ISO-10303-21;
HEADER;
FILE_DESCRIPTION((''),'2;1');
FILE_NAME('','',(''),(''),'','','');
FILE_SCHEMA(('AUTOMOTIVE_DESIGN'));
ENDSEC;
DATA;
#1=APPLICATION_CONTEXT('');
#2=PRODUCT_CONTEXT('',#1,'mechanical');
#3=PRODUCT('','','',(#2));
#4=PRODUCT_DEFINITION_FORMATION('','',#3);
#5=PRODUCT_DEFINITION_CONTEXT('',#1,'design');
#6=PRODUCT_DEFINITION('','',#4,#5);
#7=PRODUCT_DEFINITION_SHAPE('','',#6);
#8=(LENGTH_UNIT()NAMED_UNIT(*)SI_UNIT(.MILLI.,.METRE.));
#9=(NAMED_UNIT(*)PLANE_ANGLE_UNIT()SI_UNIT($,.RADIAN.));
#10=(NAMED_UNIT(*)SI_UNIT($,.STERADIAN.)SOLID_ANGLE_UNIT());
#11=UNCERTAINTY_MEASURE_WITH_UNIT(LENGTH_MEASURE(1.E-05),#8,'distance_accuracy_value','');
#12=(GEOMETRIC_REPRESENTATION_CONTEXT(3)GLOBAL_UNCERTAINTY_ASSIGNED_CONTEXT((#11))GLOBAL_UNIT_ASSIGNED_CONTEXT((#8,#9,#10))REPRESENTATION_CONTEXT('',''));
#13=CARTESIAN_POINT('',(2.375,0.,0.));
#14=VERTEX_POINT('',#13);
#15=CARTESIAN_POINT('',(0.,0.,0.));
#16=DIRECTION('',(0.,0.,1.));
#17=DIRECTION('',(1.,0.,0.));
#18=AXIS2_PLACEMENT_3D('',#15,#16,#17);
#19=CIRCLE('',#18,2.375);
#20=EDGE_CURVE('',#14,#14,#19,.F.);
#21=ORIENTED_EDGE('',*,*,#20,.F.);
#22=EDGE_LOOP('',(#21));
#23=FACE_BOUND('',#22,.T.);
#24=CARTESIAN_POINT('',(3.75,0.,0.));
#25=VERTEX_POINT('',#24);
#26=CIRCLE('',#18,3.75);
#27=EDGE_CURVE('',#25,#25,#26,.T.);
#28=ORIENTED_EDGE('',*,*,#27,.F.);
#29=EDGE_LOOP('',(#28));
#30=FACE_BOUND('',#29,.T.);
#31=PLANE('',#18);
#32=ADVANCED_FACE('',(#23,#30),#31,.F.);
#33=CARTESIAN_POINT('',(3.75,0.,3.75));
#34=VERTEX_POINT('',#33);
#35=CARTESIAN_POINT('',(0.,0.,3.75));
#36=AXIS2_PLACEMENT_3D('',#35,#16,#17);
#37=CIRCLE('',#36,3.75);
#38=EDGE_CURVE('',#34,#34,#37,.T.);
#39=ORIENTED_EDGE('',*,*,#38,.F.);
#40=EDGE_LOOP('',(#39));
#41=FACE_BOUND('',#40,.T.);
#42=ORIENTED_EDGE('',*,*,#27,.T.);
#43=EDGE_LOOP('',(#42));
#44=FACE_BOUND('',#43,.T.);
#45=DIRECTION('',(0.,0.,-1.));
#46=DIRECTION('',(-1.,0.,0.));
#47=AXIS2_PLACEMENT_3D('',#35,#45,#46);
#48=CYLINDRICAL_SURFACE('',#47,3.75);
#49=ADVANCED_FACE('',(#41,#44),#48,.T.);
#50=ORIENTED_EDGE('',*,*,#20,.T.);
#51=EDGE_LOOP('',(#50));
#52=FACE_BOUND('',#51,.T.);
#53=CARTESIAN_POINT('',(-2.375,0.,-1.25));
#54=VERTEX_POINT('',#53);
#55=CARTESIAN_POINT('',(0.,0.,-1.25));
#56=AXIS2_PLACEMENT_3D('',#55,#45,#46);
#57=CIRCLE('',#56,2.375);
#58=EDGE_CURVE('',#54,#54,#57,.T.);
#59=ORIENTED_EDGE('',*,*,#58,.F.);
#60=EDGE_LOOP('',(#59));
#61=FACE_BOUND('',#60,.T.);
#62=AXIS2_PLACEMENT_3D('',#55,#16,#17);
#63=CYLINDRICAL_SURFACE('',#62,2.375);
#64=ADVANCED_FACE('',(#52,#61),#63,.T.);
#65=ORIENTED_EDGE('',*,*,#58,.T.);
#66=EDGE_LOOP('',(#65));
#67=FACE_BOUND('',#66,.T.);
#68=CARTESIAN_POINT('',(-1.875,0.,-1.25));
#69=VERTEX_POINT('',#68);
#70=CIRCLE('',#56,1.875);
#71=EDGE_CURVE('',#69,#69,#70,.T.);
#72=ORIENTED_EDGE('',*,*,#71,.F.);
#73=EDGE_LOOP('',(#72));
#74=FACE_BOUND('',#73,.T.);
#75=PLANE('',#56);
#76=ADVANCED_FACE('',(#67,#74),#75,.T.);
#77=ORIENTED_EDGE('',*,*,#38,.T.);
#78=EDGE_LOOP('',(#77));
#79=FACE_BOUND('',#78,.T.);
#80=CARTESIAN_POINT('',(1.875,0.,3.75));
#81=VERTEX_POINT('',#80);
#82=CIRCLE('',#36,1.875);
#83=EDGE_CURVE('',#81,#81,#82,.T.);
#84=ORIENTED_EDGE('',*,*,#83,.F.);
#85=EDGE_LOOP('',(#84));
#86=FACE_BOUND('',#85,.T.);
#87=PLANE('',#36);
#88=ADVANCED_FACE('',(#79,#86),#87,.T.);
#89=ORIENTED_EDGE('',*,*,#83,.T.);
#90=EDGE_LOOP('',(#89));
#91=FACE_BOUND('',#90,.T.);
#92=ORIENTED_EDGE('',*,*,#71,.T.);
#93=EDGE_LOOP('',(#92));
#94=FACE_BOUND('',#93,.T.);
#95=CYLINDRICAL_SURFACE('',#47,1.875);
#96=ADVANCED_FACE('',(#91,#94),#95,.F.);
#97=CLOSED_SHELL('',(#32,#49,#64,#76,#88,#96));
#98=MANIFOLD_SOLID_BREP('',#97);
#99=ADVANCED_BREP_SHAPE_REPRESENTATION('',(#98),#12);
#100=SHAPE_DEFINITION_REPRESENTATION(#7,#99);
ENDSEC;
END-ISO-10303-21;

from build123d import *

# Parameters (mm, degrees)
SKETCH1_R           = 3.75
SKETCH1_R_2         = 1.875
BOSS_EXTRUDE1_DEPTH = 3.75
SKETCH2_R           = 2.375
SKETCH2_R_2         = 1.875
BOSS_EXTRUDE2_DEPTH = 1.25


with BuildPart() as part:
    # Sketch1 → Boss-Extrude1 (new body)
    with BuildSketch(Plane.XY):
        Circle(SKETCH1_R)
        Circle(SKETCH1_R_2, mode=Mode.SUBTRACT)
    extrude(amount=BOSS_EXTRUDE1_DEPTH)

    # Sketch2 → Boss-Extrude2 (add)
    with BuildSketch(Plane(origin=(0, 0, 0), x_dir=(-1, 0, 0), z_dir=(0, 0, -1))):
        Circle(SKETCH2_R)
        Circle(SKETCH2_R_2, mode=Mode.SUBTRACT)
    extrude(amount=BOSS_EXTRUDE2_DEPTH)


solid = part.part
